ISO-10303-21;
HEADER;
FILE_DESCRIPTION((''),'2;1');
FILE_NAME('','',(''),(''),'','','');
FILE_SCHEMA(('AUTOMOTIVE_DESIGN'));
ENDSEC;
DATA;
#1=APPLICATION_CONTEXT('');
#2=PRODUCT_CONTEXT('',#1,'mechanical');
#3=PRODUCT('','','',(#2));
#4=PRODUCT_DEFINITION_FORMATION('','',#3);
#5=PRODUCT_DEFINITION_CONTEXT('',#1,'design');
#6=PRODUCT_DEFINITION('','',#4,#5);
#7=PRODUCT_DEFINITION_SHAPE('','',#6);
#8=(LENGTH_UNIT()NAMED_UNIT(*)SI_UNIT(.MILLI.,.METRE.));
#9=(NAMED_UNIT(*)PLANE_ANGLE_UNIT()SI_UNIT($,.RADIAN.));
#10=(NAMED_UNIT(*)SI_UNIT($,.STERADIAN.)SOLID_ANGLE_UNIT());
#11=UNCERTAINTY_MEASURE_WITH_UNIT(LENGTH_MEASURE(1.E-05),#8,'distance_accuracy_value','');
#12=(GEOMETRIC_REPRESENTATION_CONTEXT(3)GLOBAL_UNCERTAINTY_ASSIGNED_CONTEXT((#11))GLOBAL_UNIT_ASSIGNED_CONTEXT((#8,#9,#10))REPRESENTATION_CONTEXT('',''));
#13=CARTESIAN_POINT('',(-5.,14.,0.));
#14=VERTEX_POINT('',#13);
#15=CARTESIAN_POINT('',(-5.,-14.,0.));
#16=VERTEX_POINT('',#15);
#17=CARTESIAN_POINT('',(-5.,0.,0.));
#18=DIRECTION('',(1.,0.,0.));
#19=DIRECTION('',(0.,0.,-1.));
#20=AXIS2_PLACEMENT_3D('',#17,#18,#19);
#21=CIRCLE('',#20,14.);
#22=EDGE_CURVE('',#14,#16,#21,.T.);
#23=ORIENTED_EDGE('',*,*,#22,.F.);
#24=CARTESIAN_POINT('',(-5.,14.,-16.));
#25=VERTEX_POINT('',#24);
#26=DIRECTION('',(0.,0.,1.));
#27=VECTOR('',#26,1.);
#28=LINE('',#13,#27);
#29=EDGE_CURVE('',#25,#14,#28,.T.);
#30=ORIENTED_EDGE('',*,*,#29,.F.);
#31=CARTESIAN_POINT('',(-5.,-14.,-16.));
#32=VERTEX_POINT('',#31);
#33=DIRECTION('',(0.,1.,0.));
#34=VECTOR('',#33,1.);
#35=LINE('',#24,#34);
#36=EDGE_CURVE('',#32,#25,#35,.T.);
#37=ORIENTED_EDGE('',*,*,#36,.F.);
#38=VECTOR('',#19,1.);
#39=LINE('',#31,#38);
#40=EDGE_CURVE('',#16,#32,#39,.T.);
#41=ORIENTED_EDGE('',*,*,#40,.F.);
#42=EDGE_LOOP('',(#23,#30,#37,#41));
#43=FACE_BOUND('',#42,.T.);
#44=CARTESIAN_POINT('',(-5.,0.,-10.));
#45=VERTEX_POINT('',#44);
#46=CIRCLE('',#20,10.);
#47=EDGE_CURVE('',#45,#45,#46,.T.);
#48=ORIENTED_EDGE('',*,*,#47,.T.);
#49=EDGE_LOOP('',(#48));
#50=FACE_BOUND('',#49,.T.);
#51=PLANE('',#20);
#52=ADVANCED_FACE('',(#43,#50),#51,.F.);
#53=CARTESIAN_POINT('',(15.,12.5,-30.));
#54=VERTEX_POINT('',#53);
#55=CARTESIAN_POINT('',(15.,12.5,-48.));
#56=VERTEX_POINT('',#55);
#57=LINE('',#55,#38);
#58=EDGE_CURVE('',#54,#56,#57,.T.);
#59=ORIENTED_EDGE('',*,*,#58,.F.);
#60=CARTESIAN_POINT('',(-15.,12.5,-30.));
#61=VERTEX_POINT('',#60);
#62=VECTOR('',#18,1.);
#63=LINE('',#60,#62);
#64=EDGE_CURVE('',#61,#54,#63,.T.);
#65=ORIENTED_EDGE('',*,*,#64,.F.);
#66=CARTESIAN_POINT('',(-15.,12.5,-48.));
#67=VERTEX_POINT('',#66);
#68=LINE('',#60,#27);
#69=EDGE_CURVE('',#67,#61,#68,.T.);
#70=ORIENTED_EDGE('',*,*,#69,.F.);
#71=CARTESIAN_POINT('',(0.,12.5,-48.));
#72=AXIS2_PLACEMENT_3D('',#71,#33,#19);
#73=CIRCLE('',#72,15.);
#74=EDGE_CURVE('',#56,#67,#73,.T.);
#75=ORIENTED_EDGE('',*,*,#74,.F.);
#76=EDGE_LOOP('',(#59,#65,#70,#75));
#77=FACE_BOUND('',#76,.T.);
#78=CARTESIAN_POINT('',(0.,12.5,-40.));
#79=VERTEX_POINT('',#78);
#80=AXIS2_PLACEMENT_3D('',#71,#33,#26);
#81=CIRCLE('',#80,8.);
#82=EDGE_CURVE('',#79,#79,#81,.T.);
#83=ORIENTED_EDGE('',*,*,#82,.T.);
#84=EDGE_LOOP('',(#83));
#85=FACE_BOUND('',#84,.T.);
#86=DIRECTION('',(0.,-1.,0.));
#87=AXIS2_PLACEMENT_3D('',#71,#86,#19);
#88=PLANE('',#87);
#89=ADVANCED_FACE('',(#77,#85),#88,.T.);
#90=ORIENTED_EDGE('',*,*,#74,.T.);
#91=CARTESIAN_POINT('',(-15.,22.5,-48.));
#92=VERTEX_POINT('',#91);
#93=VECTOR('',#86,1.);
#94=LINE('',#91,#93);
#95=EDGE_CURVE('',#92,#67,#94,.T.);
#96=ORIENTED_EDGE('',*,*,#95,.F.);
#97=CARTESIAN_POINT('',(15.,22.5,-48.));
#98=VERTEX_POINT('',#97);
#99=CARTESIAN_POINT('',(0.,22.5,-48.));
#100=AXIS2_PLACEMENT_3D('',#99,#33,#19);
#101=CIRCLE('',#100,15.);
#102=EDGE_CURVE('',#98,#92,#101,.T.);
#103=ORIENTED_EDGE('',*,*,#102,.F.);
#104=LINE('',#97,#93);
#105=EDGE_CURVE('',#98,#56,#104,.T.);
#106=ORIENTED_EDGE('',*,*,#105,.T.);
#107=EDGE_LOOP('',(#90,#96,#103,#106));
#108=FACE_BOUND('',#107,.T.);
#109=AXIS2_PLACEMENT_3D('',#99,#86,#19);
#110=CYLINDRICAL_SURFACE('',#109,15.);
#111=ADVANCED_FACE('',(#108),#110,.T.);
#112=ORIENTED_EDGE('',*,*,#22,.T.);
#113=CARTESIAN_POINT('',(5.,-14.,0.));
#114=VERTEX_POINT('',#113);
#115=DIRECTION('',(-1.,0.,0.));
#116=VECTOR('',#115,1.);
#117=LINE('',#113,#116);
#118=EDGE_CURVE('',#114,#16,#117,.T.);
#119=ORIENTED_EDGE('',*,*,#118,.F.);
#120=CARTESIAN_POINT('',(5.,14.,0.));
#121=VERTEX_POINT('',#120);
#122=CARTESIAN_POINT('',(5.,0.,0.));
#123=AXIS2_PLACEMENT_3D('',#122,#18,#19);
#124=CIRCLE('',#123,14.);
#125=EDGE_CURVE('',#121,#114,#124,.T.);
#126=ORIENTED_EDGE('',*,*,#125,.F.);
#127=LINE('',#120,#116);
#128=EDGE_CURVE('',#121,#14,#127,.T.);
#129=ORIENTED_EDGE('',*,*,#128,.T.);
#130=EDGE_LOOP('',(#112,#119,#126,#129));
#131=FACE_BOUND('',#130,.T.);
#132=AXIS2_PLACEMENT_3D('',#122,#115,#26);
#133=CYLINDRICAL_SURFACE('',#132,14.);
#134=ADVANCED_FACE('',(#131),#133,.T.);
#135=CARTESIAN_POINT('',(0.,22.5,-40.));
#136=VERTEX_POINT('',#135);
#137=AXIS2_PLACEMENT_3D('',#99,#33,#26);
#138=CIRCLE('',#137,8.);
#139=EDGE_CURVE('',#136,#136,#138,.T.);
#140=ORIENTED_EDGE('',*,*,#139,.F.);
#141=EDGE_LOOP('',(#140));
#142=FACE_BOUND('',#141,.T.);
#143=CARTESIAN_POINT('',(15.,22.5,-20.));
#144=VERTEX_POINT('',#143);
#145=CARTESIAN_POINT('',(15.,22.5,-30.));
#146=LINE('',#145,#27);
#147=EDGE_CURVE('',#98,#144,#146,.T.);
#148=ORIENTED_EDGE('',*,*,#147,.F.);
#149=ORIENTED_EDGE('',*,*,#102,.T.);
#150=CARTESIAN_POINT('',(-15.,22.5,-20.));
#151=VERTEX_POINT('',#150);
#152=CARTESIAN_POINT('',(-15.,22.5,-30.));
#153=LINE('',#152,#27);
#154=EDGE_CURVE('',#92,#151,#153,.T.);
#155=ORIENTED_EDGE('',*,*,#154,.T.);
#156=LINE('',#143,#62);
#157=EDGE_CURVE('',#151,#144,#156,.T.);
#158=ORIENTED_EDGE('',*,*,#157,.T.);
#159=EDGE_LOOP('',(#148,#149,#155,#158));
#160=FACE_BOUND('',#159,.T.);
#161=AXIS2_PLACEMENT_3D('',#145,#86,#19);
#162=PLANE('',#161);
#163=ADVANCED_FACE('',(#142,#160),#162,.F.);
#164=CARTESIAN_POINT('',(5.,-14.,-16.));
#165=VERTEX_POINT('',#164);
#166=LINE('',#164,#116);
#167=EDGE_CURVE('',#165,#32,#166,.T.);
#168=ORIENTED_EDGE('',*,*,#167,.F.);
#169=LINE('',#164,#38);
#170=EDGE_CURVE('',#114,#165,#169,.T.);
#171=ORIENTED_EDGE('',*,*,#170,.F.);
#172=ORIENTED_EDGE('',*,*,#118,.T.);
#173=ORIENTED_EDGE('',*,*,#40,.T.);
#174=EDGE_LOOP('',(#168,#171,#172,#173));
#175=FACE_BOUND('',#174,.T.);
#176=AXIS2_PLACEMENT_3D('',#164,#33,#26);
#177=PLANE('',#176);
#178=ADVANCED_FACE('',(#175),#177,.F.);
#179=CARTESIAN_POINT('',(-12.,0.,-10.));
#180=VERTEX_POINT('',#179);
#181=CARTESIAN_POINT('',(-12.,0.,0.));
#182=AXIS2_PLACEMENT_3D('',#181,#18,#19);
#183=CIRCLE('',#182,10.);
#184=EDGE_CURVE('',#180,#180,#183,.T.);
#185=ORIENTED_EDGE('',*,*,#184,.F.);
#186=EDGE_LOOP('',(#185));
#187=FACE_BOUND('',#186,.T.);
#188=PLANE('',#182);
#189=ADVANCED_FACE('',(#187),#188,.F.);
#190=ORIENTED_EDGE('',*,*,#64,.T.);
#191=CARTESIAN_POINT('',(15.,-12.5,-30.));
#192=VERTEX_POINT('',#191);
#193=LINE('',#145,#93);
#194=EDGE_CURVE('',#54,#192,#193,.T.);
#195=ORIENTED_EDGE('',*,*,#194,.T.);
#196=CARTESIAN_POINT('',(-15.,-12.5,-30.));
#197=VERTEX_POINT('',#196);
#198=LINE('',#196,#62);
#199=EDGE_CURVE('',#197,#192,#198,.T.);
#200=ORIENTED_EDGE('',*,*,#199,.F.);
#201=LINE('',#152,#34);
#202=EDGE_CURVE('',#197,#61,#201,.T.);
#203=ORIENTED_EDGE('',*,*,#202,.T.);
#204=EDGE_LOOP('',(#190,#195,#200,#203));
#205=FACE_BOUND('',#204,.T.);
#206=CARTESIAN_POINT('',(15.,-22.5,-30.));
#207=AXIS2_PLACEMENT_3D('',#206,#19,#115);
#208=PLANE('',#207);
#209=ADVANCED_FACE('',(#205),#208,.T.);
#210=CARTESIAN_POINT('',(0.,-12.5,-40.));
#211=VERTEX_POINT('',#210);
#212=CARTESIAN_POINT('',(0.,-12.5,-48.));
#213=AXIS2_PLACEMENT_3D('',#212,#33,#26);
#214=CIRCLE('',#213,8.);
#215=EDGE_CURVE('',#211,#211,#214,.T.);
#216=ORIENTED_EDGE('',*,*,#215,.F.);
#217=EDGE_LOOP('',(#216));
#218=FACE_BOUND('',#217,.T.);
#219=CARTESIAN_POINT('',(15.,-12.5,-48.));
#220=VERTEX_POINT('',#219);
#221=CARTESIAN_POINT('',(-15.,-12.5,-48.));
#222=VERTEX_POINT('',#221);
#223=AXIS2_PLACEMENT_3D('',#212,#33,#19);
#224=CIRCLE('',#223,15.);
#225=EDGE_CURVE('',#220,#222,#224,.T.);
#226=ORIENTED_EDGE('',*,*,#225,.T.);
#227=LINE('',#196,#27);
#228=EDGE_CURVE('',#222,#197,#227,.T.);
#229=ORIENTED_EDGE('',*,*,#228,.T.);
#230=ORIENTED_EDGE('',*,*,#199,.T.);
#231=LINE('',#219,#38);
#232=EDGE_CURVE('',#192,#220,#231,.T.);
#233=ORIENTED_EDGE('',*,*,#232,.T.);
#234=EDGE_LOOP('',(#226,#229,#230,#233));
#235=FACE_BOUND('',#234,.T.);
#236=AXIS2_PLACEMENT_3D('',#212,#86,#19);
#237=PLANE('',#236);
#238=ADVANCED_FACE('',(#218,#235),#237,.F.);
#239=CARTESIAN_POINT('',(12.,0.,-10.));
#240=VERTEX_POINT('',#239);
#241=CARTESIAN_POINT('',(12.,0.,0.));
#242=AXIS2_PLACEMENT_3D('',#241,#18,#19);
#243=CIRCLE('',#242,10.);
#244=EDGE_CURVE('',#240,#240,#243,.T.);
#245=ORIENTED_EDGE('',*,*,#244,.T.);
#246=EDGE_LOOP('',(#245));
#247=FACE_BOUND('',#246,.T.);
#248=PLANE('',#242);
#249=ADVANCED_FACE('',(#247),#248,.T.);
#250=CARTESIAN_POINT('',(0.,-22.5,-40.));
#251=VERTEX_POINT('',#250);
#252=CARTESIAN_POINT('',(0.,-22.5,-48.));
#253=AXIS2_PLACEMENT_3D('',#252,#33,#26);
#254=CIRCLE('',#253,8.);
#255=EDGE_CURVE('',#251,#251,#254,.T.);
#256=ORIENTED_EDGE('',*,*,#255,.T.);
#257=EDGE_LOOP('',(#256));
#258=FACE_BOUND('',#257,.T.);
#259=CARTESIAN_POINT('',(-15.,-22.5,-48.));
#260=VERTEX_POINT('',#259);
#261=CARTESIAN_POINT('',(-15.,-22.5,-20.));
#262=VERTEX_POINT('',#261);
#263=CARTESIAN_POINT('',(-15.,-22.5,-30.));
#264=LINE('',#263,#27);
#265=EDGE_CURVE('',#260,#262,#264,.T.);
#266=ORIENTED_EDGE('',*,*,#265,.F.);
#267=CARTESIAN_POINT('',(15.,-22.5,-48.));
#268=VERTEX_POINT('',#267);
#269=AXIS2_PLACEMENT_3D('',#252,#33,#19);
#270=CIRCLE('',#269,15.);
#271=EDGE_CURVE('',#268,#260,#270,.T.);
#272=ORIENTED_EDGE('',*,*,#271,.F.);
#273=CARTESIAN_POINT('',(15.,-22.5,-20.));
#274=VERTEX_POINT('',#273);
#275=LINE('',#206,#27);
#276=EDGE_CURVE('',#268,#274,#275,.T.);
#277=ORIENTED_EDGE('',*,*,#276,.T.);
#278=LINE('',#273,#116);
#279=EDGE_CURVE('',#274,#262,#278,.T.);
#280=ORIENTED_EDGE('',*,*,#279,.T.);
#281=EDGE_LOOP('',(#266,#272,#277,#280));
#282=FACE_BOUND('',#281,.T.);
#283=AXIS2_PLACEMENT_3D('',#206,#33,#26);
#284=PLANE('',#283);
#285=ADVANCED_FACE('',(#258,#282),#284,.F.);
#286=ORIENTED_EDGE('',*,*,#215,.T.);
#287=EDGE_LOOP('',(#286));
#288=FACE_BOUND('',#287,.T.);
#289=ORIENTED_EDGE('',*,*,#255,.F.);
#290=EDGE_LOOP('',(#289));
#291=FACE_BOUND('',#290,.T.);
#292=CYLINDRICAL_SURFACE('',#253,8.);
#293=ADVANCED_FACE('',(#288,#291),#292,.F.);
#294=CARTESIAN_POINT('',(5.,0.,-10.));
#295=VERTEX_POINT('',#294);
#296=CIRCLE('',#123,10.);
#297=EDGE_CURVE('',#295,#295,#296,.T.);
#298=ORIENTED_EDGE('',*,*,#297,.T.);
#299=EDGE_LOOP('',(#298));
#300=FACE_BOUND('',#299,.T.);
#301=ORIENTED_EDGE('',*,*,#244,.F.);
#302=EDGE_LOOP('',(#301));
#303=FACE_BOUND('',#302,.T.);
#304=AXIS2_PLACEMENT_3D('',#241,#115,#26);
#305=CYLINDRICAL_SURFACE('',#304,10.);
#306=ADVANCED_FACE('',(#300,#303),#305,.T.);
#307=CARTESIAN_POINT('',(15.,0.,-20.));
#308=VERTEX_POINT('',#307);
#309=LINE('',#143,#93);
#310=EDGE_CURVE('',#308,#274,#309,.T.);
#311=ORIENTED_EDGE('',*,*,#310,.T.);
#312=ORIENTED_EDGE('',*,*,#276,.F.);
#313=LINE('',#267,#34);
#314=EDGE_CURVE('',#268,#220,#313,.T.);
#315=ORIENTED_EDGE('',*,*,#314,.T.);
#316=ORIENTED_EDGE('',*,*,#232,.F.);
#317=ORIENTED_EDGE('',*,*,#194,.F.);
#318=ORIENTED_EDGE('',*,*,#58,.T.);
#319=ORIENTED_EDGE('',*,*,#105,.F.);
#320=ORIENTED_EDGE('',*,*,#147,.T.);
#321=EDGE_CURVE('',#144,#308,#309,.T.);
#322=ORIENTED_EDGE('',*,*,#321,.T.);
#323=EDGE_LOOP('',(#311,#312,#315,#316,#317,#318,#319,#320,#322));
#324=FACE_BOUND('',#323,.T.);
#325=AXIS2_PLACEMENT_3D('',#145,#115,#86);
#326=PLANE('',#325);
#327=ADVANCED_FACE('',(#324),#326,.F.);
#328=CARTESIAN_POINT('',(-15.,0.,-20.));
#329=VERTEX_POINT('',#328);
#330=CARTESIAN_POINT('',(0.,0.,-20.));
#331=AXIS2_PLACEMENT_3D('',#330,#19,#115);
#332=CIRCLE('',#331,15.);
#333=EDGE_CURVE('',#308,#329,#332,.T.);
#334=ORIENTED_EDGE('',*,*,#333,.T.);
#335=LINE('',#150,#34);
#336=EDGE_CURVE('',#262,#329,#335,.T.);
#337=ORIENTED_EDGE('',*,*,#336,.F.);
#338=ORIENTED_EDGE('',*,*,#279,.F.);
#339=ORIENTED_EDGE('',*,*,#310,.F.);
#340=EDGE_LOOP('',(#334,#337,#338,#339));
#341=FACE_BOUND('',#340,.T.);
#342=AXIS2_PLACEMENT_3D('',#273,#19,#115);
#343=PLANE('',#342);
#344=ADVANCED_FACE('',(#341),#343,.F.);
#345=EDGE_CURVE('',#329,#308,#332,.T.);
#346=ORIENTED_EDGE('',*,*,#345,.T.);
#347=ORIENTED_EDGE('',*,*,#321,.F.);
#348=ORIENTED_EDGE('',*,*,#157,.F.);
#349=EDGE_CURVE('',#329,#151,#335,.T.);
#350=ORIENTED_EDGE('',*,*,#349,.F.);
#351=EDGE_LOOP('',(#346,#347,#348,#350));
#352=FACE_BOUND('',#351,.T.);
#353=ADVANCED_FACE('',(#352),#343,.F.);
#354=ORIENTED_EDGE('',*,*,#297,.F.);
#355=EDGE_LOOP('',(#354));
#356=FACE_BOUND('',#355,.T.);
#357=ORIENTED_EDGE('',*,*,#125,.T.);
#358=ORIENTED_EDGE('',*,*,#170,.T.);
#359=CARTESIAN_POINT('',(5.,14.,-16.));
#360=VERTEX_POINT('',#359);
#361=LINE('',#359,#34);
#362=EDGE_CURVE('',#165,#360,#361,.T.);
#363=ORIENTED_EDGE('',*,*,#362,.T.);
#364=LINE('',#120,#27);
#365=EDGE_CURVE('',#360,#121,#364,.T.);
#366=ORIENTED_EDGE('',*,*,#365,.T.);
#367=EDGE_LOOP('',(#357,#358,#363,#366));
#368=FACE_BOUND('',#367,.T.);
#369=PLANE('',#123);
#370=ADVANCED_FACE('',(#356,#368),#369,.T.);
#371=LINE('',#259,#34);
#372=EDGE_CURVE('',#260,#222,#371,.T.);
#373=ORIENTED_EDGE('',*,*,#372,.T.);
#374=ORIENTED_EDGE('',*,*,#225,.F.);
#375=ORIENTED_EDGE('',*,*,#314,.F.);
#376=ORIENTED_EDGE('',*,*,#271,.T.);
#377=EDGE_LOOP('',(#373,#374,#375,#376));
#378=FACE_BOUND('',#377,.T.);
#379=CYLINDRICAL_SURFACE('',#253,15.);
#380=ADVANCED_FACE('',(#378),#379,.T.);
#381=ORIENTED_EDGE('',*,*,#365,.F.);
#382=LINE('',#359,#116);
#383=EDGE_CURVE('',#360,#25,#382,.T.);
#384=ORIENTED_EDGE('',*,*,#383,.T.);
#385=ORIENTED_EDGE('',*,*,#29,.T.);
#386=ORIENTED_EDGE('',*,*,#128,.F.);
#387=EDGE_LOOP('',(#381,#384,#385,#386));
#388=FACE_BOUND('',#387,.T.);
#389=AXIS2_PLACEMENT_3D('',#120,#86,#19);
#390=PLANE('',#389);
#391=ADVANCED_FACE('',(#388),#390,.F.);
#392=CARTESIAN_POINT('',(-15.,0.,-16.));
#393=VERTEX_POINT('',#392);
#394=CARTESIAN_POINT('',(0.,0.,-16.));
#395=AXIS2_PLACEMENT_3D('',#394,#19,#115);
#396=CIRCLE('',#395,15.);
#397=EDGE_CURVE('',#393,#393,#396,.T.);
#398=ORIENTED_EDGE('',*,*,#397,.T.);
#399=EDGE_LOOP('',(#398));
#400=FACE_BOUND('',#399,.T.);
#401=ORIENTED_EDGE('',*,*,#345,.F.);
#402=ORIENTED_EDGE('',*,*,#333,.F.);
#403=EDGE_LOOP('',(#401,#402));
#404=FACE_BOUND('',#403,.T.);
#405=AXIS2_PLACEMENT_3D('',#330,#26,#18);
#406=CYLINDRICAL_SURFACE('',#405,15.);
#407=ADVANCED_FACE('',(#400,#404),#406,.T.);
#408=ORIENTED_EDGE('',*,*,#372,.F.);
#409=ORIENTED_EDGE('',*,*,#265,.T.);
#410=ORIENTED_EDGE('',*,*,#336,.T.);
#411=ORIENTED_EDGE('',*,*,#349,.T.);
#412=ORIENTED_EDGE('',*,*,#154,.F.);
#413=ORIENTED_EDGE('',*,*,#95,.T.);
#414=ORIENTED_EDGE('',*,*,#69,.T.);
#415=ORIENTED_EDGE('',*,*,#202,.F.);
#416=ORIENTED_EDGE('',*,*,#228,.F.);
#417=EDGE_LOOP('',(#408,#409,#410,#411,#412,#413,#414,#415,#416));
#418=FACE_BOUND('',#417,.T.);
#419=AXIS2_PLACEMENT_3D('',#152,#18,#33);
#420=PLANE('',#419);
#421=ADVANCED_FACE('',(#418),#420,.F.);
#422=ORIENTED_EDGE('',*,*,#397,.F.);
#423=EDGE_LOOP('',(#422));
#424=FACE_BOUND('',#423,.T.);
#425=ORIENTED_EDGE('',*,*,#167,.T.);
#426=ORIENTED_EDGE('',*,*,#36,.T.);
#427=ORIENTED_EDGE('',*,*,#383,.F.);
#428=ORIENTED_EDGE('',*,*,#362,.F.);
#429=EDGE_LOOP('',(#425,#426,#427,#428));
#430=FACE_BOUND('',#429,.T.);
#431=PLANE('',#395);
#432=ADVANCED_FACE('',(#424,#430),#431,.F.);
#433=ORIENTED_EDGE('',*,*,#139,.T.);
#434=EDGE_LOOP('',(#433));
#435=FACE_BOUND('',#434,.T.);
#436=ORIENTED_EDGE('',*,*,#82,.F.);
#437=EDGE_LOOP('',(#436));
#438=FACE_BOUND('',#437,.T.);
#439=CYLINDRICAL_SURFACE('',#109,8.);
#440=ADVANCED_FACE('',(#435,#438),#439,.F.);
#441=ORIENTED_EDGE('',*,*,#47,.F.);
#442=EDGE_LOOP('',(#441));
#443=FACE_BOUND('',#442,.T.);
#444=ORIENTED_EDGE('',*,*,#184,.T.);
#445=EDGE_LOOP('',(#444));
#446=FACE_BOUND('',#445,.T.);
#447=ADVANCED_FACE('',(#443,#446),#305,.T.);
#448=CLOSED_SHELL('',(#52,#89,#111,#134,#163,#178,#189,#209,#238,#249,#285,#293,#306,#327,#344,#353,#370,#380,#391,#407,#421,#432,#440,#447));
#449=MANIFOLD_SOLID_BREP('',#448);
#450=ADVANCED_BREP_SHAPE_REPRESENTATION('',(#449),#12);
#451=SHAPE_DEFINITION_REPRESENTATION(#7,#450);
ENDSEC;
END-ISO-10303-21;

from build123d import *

# Parameters (mm, degrees)
SKETCH1_R           = 10
BOSS_EXTRUDE1_DEPTH = 12
BOSS_EXTRUDE2_DEPTH = 5
SKETCH3_R           = 15
BOSS_EXTRUDE3_DEPTH = 4
SKETCH5_W           = 30
SKETCH5_H           = 45
BOSS_EXTRUDE4_DEPTH = 10
BOSS_EXTRUDE5_START = 12.5
SKETCH7_R           = 8
BOSS_EXTRUDE5_DEPTH = 10
BOSS_EXTRUDE6_START = -12.5
SKETCH7_2_R         = 8
BOSS_EXTRUDE6_DEPTH = 10


with BuildPart() as part:
    # Sketch1 → Boss-Extrude1 (new body, symmetric)
    with BuildSketch(Plane(origin=(0, 0, 0), x_dir=(0, 0, -1), z_dir=(1, 0, 0))):
        Circle(SKETCH1_R)
    extrude(amount=BOSS_EXTRUDE1_DEPTH, both=True)

    # Sketch2 → Boss-Extrude2 (add, symmetric)
    with BuildSketch(Plane(origin=(0, 0, 0), x_dir=(0, 0, -1), z_dir=(1, 0, 0))):
        with BuildLine():
            Line((0, 14), (16, 14))
            Line((16, 14), (16, -14))
            Line((16, -14), (0, -14))
            ThreePointArc((0, -14), (-14, 0), (0, 14))
        make_face()
    extrude(amount=BOSS_EXTRUDE2_DEPTH, both=True)

    # Sketch3 → Boss-Extrude3 (add)
    with BuildSketch(Plane(origin=(0, 0, -16), x_dir=(-1, 0, 0), z_dir=(0, 0, -1))):
        Circle(SKETCH3_R)
    extrude(amount=BOSS_EXTRUDE3_DEPTH)

    # Sketch5 → Boss-Extrude4 (add)
    with BuildSketch(Plane(origin=(0, 0, -20), x_dir=(-1, 0, 0), z_dir=(0, 0, -1))):
        Rectangle(SKETCH5_W, SKETCH5_H)
    extrude(amount=BOSS_EXTRUDE4_DEPTH)

    # Sketch7 → Boss-Extrude5 (add)
    with BuildSketch(Plane(origin=(0, 0, 0), x_dir=(1, 0, 0), z_dir=(0, 1, 0)).offset(BOSS_EXTRUDE5_START)):
        with BuildLine():
            Line((-15, 30), (-15, 48))
            ThreePointArc((-15, 48), (0, 63), (15, 48))
            Line((15, 48), (15, 30))
            Line((15, 30), (-15, 30))
        make_face()
        with Locations((0, 48)):
            Circle(SKETCH7_R, mode=Mode.SUBTRACT)
    extrude(amount=BOSS_EXTRUDE5_DEPTH)

    # Sketch7<2> → Boss-Extrude6 (add)
    with BuildSketch(Plane(origin=(0, 0, 0), x_dir=(1, 0, 0), z_dir=(0, 1, 0)).offset(BOSS_EXTRUDE6_START)):
        with BuildLine():
            Line((-15, 30), (-15, 48))
            ThreePointArc((-15, 48), (0, 63), (15, 48))
            Line((15, 48), (15, 30))
            Line((15, 30), (-15, 30))
        make_face()
        with Locations((0, 48)):
            Circle(SKETCH7_2_R, mode=Mode.SUBTRACT)
    extrude(amount=-BOSS_EXTRUDE6_DEPTH)


solid = part.part
